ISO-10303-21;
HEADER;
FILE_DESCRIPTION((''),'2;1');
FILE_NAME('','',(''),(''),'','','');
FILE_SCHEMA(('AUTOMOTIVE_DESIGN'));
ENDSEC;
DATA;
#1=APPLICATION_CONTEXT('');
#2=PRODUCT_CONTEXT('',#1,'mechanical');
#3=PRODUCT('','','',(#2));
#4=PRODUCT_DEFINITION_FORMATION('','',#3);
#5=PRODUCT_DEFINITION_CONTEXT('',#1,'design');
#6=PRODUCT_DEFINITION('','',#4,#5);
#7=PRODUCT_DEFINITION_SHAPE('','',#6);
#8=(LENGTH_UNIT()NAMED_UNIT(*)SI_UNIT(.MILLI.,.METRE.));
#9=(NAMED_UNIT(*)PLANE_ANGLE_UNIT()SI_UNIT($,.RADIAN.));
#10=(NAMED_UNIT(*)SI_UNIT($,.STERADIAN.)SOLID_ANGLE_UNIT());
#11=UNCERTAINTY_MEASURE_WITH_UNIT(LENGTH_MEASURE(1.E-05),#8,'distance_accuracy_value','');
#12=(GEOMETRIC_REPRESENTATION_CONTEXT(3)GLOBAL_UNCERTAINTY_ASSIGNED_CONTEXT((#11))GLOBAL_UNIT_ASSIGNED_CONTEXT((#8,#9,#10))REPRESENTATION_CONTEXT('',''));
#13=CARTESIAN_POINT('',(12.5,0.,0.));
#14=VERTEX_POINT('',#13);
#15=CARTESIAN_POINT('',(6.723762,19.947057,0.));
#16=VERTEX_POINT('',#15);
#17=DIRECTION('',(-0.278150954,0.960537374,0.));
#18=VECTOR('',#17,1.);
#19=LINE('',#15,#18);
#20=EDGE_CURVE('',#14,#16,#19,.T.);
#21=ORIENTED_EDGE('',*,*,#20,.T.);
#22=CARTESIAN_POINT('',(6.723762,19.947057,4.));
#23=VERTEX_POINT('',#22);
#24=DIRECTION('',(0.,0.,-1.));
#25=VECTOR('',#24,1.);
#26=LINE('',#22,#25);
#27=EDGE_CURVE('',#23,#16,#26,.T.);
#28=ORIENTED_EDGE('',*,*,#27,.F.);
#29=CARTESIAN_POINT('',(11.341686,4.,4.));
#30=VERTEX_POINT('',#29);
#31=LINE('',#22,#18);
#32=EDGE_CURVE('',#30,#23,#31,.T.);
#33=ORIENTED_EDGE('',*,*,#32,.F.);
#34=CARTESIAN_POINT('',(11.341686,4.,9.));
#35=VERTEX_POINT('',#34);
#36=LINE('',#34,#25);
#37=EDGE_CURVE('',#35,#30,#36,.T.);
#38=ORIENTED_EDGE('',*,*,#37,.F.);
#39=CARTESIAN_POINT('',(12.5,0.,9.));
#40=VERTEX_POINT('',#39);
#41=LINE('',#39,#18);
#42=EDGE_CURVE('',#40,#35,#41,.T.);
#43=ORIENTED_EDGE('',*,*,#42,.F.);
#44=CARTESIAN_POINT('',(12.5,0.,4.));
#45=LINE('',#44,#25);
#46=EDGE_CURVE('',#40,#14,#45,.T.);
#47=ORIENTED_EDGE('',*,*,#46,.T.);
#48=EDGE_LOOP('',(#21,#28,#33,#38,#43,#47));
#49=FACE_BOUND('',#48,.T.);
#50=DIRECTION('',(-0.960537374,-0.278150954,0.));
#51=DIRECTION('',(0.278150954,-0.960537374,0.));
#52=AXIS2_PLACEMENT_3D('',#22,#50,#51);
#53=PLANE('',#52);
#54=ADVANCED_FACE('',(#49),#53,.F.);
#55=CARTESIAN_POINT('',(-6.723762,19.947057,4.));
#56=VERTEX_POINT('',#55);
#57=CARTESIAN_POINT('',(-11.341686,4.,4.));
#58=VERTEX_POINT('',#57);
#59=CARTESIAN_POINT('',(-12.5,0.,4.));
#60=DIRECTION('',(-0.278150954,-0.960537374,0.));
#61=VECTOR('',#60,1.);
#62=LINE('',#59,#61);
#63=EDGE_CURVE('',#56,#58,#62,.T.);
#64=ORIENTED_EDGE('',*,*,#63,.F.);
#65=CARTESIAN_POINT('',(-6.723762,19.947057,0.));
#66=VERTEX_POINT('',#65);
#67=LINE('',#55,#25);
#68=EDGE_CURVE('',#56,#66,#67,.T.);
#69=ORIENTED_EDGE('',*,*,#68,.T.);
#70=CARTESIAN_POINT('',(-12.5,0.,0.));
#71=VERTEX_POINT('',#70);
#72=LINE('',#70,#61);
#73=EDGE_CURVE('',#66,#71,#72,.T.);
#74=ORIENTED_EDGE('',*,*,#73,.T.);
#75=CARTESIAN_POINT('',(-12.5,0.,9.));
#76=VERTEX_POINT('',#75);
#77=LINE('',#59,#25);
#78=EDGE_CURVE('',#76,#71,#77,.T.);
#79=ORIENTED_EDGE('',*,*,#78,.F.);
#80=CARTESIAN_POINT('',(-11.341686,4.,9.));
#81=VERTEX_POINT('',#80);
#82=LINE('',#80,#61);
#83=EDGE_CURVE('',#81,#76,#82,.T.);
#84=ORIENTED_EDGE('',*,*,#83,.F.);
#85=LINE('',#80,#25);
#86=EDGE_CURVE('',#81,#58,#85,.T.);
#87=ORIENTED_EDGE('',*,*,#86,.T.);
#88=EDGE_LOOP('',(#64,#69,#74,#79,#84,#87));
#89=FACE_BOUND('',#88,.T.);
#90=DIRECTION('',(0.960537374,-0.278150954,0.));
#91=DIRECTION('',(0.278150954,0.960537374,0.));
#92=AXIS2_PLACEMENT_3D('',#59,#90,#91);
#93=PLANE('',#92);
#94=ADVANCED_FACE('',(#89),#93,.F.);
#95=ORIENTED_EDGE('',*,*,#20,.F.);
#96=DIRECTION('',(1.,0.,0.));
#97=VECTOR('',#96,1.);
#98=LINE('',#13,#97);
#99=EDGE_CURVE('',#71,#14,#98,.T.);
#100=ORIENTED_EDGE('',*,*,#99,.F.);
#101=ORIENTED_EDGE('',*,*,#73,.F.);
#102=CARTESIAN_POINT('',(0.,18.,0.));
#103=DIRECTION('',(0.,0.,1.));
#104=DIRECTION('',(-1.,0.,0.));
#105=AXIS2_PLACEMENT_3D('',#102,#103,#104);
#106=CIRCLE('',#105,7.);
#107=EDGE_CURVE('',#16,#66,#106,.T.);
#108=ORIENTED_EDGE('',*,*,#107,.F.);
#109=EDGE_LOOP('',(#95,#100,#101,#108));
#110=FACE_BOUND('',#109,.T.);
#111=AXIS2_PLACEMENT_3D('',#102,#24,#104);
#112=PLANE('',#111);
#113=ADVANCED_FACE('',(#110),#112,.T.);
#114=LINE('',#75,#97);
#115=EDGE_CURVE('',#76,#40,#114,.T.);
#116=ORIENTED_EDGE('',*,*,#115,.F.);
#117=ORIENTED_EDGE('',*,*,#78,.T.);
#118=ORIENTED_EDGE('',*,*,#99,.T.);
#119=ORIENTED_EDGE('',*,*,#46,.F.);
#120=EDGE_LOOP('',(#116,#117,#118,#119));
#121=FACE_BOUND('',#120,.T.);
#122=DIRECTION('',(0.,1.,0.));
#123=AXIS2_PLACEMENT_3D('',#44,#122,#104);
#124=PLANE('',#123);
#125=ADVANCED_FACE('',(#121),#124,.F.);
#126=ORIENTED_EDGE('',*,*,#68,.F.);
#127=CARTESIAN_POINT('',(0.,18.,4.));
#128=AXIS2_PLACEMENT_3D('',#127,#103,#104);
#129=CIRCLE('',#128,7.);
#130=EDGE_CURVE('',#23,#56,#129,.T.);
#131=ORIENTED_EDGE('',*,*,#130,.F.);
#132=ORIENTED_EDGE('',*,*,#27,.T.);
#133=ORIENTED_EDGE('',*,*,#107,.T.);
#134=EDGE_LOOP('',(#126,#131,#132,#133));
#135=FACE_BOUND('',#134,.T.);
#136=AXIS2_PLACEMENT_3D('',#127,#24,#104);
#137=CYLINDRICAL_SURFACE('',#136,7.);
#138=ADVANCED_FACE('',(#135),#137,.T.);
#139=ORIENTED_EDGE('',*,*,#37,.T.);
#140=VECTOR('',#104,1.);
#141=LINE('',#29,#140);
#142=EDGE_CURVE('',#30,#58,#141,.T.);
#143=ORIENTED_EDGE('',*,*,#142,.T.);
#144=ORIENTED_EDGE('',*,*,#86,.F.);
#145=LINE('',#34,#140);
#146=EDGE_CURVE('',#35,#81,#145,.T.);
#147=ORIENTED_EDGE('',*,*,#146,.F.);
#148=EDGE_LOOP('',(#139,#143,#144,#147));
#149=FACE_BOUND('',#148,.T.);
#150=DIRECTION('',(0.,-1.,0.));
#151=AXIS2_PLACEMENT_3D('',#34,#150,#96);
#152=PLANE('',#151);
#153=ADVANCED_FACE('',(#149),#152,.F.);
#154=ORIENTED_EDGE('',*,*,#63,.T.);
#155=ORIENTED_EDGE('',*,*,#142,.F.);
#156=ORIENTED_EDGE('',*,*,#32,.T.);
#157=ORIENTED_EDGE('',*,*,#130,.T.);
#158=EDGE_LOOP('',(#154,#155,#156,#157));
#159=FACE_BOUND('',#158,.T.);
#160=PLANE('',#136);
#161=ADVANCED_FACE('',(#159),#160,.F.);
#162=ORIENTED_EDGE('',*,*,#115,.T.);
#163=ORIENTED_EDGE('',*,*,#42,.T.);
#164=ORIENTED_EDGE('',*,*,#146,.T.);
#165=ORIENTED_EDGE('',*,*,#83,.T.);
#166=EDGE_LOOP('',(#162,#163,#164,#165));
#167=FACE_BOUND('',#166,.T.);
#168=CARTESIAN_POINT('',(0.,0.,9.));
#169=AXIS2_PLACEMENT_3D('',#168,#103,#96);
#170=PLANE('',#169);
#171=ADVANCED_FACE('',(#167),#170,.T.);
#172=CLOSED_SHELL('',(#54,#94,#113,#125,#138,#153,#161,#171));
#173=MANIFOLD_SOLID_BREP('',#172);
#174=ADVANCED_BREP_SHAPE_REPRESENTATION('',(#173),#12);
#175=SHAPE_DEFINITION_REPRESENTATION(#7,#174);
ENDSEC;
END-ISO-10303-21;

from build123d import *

# Parameters (mm, degrees)
BOSS_EXTRUDE1_DEPTH = 4
BOSS_EXTRUDE2_DEPTH = 5


with BuildPart() as part:
    # Sketch1 → Boss-Extrude1 (new body)
    with BuildSketch(Plane.XY):
        with BuildLine():
            Line((-12.5, 0), (-6.723761618, 19.947056679))
            ThreePointArc((-6.723761618, 19.947056679), (0, 25), (6.723761618, 19.947056679))
            Line((6.723761618, 19.947056679), (12.5, 0))
            Line((12.5, 0), (-12.5, 0))
        make_face()
    extrude(amount=BOSS_EXTRUDE1_DEPTH)

    # Sketch2 → Boss-Extrude2 (add)
    with BuildSketch(Plane.XY.offset(4)):
        Polygon((-12.5, 0), (12.5, 0), (11.341686074, 4), (-11.341686074, 4), align=None)
    extrude(amount=BOSS_EXTRUDE2_DEPTH)


solid = part.part
